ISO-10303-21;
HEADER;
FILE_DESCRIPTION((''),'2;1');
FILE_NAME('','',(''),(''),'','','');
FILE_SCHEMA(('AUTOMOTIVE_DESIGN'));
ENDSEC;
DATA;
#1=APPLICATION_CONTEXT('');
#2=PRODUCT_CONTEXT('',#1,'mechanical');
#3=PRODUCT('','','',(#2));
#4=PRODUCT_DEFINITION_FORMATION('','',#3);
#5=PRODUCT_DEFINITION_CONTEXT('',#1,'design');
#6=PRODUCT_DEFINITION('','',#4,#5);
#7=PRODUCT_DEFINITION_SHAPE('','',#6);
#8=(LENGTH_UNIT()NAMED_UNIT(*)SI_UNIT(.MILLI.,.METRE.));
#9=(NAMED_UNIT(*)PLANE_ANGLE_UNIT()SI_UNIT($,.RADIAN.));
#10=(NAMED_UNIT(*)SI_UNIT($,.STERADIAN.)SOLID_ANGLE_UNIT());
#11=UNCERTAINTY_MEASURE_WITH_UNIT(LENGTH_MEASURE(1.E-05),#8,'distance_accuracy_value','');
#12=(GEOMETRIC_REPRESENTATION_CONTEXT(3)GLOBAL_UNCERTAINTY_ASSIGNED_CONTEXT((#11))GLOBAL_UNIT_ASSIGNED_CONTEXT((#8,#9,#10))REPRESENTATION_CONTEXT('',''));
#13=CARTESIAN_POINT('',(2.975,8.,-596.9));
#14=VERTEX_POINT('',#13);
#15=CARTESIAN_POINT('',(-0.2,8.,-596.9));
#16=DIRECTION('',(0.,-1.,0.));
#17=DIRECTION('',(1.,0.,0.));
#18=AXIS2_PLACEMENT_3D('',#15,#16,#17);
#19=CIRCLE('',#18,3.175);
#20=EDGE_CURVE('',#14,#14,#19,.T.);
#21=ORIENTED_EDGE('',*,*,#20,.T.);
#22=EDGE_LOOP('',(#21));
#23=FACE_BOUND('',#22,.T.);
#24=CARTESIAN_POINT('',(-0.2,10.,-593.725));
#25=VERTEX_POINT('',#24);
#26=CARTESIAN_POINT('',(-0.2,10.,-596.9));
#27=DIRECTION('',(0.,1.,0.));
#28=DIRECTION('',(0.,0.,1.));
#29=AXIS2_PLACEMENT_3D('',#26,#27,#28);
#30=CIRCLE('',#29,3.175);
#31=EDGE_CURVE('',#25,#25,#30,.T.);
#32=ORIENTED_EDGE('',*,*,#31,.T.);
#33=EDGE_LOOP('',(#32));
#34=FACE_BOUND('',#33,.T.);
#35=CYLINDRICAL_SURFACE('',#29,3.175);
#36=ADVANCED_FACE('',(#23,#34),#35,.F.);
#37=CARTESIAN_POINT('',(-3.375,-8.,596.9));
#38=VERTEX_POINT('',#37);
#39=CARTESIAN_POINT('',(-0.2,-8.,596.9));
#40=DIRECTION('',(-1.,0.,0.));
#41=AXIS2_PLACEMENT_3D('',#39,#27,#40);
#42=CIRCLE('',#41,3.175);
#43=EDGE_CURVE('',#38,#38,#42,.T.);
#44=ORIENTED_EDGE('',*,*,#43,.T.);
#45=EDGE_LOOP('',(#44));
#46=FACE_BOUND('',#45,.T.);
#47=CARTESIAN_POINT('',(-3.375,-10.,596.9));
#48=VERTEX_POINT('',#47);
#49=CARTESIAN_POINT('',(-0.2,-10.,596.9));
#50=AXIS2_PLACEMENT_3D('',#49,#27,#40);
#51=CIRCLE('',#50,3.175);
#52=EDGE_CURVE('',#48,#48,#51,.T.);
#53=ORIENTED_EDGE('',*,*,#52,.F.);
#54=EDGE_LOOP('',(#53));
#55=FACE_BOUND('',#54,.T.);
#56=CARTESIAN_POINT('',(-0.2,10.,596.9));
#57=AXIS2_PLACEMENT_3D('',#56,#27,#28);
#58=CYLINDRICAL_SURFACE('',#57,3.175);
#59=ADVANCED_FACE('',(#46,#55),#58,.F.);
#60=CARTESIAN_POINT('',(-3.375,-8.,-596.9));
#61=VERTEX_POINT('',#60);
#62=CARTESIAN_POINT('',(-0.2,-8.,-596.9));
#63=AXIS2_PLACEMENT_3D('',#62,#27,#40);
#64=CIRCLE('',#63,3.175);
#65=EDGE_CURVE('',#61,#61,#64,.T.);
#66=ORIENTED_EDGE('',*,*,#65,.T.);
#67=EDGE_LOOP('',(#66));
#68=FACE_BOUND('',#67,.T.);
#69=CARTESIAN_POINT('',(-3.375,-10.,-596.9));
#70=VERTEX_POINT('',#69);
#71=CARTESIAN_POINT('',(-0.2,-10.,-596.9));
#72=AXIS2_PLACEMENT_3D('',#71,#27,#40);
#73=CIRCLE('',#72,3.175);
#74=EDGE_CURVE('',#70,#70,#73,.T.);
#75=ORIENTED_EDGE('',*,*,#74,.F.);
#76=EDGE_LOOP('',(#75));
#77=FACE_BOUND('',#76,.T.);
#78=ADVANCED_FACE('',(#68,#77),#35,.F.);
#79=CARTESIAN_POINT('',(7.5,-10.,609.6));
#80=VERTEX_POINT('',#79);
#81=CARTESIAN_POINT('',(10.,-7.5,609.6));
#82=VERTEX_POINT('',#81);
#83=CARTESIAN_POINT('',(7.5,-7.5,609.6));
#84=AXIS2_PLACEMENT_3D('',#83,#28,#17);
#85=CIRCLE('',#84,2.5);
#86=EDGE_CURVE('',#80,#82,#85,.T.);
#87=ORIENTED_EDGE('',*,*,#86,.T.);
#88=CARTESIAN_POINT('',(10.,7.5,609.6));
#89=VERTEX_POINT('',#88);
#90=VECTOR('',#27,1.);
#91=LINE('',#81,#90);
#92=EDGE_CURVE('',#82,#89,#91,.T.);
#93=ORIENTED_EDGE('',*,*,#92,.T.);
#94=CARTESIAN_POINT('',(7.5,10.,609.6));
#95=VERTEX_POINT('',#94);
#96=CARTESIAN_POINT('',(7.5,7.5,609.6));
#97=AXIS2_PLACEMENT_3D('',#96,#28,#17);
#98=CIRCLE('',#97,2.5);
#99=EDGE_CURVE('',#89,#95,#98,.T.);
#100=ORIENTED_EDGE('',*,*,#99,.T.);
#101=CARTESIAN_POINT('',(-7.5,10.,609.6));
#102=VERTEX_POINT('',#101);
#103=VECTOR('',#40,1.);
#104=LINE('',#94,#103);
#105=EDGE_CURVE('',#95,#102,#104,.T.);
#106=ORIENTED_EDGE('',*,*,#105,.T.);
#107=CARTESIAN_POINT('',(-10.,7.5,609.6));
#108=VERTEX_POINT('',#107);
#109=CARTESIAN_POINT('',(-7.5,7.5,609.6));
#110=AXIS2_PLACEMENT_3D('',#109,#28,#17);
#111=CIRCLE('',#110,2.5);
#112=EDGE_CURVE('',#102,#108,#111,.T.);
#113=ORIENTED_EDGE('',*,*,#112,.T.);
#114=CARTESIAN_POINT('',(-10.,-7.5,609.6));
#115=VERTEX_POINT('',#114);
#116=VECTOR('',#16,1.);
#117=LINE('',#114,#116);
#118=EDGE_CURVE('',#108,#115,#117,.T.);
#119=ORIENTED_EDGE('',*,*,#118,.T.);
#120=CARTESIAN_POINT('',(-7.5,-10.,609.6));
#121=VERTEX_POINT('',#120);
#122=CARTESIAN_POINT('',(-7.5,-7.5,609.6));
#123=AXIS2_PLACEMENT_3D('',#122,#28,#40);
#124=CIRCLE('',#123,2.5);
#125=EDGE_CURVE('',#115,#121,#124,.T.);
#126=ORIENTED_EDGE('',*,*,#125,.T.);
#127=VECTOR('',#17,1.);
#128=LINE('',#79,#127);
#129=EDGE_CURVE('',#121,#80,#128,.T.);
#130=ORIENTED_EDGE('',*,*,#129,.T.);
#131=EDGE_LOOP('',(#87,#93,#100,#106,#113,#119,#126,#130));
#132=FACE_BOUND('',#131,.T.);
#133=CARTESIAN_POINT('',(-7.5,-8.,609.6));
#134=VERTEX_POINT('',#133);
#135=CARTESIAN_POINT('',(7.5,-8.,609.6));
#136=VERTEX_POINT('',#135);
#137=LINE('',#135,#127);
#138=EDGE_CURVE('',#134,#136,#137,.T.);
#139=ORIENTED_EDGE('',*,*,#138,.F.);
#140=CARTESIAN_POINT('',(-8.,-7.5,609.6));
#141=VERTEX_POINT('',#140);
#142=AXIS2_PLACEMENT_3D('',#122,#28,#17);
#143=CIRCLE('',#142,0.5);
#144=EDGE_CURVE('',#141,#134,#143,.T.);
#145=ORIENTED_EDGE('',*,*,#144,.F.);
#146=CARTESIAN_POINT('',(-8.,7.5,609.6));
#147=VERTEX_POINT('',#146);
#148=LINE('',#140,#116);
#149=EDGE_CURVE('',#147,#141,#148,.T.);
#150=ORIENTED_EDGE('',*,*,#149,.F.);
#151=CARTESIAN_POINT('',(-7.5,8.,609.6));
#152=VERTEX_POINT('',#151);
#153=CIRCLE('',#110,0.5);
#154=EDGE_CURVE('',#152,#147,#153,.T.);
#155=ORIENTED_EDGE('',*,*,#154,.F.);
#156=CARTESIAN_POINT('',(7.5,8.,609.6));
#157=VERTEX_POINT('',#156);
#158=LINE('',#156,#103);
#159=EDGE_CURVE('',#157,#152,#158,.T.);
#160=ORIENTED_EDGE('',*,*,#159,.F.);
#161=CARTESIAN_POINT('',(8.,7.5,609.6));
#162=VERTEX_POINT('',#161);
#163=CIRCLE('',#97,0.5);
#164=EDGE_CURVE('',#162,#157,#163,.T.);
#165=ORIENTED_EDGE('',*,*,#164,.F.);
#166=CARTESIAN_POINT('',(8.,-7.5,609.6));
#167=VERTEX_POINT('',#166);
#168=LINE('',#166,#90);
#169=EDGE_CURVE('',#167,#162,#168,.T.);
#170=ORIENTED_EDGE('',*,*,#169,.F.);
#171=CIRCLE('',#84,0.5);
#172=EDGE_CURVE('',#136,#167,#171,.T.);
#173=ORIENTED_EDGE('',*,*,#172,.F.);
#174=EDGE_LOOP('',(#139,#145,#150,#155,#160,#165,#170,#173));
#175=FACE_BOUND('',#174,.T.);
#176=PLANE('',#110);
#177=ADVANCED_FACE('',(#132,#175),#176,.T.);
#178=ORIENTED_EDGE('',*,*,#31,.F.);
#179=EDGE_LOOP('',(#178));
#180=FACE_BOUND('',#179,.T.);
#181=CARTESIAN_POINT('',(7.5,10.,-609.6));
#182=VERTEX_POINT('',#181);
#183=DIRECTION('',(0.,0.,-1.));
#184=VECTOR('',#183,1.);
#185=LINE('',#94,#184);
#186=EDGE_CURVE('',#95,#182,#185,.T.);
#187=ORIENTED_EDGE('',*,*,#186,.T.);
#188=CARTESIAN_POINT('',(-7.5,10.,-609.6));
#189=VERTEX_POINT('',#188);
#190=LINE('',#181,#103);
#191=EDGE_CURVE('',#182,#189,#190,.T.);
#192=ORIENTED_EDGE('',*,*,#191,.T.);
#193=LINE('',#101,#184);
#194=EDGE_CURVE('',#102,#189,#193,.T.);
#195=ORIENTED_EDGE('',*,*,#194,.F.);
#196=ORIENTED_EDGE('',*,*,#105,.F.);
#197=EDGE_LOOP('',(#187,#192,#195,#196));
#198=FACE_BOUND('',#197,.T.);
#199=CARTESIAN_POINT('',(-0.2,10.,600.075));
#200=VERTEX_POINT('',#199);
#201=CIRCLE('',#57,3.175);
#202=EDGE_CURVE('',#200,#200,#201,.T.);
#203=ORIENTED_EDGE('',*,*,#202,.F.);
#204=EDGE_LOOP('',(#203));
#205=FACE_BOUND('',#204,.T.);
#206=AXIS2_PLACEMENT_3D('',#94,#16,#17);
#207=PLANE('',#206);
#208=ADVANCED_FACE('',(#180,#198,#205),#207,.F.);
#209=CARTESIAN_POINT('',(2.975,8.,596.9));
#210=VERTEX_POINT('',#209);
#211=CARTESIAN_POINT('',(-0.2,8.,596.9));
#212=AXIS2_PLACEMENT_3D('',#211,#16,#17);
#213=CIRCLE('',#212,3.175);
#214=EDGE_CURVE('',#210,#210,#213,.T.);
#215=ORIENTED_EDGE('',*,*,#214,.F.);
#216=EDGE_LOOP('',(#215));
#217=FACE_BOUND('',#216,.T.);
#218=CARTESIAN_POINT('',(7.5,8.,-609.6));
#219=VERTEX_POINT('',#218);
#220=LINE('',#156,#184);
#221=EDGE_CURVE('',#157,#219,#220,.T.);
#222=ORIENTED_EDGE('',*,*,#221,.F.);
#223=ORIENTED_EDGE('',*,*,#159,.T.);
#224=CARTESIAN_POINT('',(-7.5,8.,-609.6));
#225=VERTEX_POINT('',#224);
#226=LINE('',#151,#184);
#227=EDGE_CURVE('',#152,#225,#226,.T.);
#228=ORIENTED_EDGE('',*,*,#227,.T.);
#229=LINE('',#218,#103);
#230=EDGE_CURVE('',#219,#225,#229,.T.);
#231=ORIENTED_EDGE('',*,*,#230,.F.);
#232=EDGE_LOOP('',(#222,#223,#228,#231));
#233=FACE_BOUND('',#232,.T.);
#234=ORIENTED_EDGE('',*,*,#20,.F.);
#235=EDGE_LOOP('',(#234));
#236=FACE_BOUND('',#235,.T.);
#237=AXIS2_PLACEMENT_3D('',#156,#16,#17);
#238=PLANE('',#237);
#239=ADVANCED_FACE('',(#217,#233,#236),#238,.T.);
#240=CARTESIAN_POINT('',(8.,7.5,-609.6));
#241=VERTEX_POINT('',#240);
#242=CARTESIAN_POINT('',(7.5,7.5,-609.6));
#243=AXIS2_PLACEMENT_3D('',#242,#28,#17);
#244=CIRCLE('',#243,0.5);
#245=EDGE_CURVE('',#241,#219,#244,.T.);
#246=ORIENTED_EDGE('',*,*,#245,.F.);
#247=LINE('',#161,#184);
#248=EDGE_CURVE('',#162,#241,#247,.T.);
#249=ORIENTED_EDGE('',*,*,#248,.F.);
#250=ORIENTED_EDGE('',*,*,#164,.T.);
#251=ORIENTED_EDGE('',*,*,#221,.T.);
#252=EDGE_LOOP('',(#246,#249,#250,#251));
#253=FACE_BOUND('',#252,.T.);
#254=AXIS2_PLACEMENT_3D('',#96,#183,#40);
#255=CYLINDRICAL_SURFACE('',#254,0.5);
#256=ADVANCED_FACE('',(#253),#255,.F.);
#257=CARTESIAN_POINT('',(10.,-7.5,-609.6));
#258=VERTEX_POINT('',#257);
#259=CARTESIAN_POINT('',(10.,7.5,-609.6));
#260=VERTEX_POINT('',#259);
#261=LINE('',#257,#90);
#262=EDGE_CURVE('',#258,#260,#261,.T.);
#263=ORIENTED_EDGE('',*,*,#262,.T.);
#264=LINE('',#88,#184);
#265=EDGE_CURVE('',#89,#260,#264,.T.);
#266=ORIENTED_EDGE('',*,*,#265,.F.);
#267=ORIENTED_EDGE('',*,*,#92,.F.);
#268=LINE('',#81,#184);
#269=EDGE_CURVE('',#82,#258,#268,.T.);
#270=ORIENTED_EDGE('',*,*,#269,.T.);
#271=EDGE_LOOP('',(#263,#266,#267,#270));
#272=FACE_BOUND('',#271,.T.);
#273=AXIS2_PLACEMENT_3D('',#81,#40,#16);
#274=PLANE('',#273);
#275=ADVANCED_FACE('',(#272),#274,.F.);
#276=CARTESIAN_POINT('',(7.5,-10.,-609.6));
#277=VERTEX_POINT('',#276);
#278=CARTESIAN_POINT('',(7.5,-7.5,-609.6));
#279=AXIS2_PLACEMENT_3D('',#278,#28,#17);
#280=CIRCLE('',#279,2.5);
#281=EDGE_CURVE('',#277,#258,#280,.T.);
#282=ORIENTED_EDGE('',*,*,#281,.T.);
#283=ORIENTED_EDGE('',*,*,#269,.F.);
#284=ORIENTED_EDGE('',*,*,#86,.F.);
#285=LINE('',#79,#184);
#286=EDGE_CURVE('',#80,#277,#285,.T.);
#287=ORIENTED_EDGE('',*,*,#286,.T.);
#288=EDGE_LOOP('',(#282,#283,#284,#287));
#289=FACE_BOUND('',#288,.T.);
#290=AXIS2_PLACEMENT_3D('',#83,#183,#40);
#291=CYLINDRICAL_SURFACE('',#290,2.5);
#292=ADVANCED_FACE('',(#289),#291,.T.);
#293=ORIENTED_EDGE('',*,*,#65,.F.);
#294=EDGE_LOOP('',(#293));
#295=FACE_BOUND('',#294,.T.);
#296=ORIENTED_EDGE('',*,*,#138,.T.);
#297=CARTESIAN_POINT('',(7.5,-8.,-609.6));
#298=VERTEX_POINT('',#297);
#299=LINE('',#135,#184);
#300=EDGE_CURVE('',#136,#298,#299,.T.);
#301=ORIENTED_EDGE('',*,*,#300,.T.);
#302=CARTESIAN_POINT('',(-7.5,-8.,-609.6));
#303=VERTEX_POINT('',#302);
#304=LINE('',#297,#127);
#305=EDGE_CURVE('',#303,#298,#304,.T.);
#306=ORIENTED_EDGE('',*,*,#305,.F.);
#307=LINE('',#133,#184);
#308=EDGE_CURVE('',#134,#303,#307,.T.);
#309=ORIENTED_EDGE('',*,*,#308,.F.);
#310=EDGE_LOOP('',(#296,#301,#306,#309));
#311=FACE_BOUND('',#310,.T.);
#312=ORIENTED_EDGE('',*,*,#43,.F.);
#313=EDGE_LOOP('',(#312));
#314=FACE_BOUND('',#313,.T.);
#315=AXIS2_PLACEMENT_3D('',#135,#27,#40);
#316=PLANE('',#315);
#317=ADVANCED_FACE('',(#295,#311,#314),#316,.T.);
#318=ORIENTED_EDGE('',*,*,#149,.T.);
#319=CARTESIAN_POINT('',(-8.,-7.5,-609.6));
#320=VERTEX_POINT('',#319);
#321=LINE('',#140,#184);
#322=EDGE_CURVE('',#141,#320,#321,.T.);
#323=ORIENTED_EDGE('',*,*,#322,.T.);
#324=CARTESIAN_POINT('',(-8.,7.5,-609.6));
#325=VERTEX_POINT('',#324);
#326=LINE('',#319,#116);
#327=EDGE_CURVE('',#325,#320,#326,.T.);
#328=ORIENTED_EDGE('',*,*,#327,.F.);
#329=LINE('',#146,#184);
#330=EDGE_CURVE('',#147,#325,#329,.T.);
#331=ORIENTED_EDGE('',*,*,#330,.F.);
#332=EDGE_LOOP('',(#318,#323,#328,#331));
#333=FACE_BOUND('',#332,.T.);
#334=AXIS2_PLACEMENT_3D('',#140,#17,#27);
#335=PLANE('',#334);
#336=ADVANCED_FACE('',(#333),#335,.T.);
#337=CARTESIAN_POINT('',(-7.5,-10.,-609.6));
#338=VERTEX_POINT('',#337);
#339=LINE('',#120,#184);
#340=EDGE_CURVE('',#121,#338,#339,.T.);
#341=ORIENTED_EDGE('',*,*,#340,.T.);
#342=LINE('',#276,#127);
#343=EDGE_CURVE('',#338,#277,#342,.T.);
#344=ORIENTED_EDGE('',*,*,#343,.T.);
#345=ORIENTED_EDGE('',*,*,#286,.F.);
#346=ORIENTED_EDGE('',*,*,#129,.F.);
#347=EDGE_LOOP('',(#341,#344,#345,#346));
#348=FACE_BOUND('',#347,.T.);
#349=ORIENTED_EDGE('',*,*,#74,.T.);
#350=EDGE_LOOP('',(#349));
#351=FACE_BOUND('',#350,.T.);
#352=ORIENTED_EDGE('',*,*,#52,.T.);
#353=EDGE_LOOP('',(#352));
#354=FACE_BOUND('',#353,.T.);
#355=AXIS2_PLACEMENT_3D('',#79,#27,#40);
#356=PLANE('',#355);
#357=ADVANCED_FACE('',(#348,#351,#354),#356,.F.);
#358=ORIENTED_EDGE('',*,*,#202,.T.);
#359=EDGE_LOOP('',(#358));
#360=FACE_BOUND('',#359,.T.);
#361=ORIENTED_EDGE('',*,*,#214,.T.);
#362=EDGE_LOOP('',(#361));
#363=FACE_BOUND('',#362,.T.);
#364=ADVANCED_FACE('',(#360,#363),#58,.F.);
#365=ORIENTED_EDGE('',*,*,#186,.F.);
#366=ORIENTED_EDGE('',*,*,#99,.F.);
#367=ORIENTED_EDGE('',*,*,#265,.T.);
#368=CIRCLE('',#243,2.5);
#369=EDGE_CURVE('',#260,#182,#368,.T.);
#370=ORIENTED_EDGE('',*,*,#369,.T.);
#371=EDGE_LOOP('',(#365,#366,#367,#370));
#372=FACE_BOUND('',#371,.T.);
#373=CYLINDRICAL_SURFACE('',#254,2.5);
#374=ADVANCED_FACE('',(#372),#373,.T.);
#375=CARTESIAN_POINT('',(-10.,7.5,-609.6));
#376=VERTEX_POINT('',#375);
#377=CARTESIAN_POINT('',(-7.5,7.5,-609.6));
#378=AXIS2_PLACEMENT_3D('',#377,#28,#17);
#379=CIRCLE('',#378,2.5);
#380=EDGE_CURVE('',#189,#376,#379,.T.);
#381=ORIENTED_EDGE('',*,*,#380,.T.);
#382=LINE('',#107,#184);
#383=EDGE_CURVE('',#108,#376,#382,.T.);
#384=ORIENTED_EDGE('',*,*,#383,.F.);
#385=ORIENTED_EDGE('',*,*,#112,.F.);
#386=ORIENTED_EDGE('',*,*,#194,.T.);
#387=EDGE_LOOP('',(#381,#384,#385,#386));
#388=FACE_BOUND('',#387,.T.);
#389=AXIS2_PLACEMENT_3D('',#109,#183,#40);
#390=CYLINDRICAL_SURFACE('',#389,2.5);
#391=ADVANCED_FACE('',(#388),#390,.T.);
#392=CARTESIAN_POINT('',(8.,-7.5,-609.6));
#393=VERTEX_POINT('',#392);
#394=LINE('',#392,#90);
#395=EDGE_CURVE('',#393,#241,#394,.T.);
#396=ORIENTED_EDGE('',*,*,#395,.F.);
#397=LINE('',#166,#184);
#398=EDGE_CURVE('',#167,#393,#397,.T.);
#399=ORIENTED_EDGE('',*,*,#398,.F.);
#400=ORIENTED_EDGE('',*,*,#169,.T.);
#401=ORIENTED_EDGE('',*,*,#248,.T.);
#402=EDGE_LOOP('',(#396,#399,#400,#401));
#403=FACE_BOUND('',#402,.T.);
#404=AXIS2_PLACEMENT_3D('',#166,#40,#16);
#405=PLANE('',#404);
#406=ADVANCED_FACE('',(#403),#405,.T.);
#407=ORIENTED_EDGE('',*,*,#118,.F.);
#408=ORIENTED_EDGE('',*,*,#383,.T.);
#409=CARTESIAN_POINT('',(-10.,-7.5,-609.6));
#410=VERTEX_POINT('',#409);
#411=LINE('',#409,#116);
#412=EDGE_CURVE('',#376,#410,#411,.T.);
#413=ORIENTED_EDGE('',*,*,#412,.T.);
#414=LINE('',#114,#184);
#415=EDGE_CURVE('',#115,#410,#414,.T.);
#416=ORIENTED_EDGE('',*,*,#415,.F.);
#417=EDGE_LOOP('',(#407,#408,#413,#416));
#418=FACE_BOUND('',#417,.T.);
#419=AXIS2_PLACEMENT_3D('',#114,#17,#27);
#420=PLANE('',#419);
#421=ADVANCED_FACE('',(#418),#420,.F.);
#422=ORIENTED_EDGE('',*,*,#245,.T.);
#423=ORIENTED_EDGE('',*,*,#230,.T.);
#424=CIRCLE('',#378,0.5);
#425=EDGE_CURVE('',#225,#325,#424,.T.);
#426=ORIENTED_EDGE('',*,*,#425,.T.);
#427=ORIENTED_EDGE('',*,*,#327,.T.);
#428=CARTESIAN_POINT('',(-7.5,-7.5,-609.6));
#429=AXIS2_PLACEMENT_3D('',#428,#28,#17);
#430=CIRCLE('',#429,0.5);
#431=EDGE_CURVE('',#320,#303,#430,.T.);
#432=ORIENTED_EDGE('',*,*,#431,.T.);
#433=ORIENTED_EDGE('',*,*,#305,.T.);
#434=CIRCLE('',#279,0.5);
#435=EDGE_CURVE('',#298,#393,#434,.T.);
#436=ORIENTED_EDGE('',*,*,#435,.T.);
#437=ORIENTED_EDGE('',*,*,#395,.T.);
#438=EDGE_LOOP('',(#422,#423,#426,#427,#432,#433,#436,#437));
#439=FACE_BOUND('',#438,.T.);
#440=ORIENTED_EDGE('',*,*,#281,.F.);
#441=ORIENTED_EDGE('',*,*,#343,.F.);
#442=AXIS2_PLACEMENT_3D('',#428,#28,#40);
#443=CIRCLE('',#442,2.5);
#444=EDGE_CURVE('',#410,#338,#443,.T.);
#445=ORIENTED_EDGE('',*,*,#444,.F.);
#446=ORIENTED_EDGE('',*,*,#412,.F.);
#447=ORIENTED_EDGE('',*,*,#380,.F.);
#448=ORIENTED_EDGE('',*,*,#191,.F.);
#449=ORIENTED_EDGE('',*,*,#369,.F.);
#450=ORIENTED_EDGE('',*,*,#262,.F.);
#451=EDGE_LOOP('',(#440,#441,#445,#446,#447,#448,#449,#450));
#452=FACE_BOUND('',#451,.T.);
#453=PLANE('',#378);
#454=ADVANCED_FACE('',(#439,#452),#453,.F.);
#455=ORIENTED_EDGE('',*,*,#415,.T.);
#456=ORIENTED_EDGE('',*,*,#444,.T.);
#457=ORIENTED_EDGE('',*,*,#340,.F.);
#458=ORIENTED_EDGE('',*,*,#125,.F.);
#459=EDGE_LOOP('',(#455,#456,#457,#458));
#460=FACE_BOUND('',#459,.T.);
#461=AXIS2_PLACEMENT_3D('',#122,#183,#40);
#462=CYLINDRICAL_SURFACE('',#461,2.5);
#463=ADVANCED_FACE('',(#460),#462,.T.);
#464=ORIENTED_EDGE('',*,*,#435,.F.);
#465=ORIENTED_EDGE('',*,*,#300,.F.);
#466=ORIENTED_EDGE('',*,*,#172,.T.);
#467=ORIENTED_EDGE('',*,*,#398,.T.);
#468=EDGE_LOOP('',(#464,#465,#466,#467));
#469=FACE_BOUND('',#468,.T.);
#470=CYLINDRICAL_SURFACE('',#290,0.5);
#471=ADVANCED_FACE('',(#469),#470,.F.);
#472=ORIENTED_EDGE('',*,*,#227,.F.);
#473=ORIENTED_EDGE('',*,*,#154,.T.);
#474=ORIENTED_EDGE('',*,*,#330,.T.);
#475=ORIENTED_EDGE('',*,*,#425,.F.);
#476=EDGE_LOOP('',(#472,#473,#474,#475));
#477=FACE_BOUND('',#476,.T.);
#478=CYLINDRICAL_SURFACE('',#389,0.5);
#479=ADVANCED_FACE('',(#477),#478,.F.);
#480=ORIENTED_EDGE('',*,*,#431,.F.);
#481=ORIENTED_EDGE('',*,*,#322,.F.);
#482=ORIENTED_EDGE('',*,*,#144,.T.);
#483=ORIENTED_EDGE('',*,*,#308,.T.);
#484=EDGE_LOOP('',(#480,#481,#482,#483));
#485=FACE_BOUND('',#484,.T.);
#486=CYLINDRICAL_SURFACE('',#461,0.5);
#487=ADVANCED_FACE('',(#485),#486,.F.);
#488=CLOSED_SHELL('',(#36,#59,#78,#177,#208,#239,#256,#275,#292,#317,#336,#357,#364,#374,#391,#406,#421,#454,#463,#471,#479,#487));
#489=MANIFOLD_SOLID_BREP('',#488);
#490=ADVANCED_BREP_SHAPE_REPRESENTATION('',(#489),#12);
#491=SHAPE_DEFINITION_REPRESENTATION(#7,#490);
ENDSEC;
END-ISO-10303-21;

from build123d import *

# Parameters (mm, degrees)
EXTRUDE_THIN1_DEPTH             = 609.6
F_1_4_0_25_DIAMETER_HOLE1_D     = 6.35
F_1_4_0_25_DIAMETER_HOLE1_DEPTH = 25.4
F_1_4_0_25_DIAMETER_HOLE1_TIP   = 1.907732465


with BuildPart() as part:
    # Sketch1 → Extrude-Thin1 (new, symmetric)
    with BuildSketch(Plane.XY):
        with BuildLine():
            Line((-10, -7.5), (-10, 7.5))
            ThreePointArc((-10, 7.5), (-9.267766953, 9.267766953), (-7.5, 10))
            Line((-7.5, 10), (7.5, 10))
            ThreePointArc((7.5, 10), (9.267766953, 9.267766953), (10, 7.5))
            Line((10, 7.5), (10, -7.5))
            ThreePointArc((10, -7.5), (9.267766953, -9.267766953), (7.5, -10))
            Line((7.5, -10), (-7.5, -10))
            ThreePointArc((-7.5, -10), (-9.267766953, -9.267766953), (-10, -7.5))
        make_face()
        with BuildLine():
            Line((-8, -7.5), (-8, 7.5))
            ThreePointArc((-8, 7.5), (-7.853553391, 7.853553391), (-7.5, 8))
            Line((-7.5, 8), (7.5, 8))
            ThreePointArc((7.5, 8), (7.853553391, 7.853553391), (8, 7.5))
            Line((8, 7.5), (8, -7.5))
            ThreePointArc((8, -7.5), (7.853553391, -7.853553391), (7.5, -8))
            Line((7.5, -8), (-7.5, -8))
            ThreePointArc((-7.5, -8), (-7.853553391, -7.853553391), (-8, -7.5))
        make_face(mode=Mode.SUBTRACT)
    extrude(amount=EXTRUDE_THIN1_DEPTH, both=True)

    # 1/4 (0.25) Diameter Hole1
    with Locations(Plane(origin=(0, 10, 0), x_dir=(1, 0, 0), z_dir=(0, 1, 0))):
        with Locations((-0.2, 596.9), (-0.2, -596.9)):
            Hole(F_1_4_0_25_DIAMETER_HOLE1_D / 2, depth=F_1_4_0_25_DIAMETER_HOLE1_DEPTH)
            with Locations((0, 0, -(F_1_4_0_25_DIAMETER_HOLE1_DEPTH + F_1_4_0_25_DIAMETER_HOLE1_TIP / 2))):  # 118° drill point
                Cone(0, F_1_4_0_25_DIAMETER_HOLE1_D / 2, F_1_4_0_25_DIAMETER_HOLE1_TIP, mode=Mode.SUBTRACT)


solid = part.part
